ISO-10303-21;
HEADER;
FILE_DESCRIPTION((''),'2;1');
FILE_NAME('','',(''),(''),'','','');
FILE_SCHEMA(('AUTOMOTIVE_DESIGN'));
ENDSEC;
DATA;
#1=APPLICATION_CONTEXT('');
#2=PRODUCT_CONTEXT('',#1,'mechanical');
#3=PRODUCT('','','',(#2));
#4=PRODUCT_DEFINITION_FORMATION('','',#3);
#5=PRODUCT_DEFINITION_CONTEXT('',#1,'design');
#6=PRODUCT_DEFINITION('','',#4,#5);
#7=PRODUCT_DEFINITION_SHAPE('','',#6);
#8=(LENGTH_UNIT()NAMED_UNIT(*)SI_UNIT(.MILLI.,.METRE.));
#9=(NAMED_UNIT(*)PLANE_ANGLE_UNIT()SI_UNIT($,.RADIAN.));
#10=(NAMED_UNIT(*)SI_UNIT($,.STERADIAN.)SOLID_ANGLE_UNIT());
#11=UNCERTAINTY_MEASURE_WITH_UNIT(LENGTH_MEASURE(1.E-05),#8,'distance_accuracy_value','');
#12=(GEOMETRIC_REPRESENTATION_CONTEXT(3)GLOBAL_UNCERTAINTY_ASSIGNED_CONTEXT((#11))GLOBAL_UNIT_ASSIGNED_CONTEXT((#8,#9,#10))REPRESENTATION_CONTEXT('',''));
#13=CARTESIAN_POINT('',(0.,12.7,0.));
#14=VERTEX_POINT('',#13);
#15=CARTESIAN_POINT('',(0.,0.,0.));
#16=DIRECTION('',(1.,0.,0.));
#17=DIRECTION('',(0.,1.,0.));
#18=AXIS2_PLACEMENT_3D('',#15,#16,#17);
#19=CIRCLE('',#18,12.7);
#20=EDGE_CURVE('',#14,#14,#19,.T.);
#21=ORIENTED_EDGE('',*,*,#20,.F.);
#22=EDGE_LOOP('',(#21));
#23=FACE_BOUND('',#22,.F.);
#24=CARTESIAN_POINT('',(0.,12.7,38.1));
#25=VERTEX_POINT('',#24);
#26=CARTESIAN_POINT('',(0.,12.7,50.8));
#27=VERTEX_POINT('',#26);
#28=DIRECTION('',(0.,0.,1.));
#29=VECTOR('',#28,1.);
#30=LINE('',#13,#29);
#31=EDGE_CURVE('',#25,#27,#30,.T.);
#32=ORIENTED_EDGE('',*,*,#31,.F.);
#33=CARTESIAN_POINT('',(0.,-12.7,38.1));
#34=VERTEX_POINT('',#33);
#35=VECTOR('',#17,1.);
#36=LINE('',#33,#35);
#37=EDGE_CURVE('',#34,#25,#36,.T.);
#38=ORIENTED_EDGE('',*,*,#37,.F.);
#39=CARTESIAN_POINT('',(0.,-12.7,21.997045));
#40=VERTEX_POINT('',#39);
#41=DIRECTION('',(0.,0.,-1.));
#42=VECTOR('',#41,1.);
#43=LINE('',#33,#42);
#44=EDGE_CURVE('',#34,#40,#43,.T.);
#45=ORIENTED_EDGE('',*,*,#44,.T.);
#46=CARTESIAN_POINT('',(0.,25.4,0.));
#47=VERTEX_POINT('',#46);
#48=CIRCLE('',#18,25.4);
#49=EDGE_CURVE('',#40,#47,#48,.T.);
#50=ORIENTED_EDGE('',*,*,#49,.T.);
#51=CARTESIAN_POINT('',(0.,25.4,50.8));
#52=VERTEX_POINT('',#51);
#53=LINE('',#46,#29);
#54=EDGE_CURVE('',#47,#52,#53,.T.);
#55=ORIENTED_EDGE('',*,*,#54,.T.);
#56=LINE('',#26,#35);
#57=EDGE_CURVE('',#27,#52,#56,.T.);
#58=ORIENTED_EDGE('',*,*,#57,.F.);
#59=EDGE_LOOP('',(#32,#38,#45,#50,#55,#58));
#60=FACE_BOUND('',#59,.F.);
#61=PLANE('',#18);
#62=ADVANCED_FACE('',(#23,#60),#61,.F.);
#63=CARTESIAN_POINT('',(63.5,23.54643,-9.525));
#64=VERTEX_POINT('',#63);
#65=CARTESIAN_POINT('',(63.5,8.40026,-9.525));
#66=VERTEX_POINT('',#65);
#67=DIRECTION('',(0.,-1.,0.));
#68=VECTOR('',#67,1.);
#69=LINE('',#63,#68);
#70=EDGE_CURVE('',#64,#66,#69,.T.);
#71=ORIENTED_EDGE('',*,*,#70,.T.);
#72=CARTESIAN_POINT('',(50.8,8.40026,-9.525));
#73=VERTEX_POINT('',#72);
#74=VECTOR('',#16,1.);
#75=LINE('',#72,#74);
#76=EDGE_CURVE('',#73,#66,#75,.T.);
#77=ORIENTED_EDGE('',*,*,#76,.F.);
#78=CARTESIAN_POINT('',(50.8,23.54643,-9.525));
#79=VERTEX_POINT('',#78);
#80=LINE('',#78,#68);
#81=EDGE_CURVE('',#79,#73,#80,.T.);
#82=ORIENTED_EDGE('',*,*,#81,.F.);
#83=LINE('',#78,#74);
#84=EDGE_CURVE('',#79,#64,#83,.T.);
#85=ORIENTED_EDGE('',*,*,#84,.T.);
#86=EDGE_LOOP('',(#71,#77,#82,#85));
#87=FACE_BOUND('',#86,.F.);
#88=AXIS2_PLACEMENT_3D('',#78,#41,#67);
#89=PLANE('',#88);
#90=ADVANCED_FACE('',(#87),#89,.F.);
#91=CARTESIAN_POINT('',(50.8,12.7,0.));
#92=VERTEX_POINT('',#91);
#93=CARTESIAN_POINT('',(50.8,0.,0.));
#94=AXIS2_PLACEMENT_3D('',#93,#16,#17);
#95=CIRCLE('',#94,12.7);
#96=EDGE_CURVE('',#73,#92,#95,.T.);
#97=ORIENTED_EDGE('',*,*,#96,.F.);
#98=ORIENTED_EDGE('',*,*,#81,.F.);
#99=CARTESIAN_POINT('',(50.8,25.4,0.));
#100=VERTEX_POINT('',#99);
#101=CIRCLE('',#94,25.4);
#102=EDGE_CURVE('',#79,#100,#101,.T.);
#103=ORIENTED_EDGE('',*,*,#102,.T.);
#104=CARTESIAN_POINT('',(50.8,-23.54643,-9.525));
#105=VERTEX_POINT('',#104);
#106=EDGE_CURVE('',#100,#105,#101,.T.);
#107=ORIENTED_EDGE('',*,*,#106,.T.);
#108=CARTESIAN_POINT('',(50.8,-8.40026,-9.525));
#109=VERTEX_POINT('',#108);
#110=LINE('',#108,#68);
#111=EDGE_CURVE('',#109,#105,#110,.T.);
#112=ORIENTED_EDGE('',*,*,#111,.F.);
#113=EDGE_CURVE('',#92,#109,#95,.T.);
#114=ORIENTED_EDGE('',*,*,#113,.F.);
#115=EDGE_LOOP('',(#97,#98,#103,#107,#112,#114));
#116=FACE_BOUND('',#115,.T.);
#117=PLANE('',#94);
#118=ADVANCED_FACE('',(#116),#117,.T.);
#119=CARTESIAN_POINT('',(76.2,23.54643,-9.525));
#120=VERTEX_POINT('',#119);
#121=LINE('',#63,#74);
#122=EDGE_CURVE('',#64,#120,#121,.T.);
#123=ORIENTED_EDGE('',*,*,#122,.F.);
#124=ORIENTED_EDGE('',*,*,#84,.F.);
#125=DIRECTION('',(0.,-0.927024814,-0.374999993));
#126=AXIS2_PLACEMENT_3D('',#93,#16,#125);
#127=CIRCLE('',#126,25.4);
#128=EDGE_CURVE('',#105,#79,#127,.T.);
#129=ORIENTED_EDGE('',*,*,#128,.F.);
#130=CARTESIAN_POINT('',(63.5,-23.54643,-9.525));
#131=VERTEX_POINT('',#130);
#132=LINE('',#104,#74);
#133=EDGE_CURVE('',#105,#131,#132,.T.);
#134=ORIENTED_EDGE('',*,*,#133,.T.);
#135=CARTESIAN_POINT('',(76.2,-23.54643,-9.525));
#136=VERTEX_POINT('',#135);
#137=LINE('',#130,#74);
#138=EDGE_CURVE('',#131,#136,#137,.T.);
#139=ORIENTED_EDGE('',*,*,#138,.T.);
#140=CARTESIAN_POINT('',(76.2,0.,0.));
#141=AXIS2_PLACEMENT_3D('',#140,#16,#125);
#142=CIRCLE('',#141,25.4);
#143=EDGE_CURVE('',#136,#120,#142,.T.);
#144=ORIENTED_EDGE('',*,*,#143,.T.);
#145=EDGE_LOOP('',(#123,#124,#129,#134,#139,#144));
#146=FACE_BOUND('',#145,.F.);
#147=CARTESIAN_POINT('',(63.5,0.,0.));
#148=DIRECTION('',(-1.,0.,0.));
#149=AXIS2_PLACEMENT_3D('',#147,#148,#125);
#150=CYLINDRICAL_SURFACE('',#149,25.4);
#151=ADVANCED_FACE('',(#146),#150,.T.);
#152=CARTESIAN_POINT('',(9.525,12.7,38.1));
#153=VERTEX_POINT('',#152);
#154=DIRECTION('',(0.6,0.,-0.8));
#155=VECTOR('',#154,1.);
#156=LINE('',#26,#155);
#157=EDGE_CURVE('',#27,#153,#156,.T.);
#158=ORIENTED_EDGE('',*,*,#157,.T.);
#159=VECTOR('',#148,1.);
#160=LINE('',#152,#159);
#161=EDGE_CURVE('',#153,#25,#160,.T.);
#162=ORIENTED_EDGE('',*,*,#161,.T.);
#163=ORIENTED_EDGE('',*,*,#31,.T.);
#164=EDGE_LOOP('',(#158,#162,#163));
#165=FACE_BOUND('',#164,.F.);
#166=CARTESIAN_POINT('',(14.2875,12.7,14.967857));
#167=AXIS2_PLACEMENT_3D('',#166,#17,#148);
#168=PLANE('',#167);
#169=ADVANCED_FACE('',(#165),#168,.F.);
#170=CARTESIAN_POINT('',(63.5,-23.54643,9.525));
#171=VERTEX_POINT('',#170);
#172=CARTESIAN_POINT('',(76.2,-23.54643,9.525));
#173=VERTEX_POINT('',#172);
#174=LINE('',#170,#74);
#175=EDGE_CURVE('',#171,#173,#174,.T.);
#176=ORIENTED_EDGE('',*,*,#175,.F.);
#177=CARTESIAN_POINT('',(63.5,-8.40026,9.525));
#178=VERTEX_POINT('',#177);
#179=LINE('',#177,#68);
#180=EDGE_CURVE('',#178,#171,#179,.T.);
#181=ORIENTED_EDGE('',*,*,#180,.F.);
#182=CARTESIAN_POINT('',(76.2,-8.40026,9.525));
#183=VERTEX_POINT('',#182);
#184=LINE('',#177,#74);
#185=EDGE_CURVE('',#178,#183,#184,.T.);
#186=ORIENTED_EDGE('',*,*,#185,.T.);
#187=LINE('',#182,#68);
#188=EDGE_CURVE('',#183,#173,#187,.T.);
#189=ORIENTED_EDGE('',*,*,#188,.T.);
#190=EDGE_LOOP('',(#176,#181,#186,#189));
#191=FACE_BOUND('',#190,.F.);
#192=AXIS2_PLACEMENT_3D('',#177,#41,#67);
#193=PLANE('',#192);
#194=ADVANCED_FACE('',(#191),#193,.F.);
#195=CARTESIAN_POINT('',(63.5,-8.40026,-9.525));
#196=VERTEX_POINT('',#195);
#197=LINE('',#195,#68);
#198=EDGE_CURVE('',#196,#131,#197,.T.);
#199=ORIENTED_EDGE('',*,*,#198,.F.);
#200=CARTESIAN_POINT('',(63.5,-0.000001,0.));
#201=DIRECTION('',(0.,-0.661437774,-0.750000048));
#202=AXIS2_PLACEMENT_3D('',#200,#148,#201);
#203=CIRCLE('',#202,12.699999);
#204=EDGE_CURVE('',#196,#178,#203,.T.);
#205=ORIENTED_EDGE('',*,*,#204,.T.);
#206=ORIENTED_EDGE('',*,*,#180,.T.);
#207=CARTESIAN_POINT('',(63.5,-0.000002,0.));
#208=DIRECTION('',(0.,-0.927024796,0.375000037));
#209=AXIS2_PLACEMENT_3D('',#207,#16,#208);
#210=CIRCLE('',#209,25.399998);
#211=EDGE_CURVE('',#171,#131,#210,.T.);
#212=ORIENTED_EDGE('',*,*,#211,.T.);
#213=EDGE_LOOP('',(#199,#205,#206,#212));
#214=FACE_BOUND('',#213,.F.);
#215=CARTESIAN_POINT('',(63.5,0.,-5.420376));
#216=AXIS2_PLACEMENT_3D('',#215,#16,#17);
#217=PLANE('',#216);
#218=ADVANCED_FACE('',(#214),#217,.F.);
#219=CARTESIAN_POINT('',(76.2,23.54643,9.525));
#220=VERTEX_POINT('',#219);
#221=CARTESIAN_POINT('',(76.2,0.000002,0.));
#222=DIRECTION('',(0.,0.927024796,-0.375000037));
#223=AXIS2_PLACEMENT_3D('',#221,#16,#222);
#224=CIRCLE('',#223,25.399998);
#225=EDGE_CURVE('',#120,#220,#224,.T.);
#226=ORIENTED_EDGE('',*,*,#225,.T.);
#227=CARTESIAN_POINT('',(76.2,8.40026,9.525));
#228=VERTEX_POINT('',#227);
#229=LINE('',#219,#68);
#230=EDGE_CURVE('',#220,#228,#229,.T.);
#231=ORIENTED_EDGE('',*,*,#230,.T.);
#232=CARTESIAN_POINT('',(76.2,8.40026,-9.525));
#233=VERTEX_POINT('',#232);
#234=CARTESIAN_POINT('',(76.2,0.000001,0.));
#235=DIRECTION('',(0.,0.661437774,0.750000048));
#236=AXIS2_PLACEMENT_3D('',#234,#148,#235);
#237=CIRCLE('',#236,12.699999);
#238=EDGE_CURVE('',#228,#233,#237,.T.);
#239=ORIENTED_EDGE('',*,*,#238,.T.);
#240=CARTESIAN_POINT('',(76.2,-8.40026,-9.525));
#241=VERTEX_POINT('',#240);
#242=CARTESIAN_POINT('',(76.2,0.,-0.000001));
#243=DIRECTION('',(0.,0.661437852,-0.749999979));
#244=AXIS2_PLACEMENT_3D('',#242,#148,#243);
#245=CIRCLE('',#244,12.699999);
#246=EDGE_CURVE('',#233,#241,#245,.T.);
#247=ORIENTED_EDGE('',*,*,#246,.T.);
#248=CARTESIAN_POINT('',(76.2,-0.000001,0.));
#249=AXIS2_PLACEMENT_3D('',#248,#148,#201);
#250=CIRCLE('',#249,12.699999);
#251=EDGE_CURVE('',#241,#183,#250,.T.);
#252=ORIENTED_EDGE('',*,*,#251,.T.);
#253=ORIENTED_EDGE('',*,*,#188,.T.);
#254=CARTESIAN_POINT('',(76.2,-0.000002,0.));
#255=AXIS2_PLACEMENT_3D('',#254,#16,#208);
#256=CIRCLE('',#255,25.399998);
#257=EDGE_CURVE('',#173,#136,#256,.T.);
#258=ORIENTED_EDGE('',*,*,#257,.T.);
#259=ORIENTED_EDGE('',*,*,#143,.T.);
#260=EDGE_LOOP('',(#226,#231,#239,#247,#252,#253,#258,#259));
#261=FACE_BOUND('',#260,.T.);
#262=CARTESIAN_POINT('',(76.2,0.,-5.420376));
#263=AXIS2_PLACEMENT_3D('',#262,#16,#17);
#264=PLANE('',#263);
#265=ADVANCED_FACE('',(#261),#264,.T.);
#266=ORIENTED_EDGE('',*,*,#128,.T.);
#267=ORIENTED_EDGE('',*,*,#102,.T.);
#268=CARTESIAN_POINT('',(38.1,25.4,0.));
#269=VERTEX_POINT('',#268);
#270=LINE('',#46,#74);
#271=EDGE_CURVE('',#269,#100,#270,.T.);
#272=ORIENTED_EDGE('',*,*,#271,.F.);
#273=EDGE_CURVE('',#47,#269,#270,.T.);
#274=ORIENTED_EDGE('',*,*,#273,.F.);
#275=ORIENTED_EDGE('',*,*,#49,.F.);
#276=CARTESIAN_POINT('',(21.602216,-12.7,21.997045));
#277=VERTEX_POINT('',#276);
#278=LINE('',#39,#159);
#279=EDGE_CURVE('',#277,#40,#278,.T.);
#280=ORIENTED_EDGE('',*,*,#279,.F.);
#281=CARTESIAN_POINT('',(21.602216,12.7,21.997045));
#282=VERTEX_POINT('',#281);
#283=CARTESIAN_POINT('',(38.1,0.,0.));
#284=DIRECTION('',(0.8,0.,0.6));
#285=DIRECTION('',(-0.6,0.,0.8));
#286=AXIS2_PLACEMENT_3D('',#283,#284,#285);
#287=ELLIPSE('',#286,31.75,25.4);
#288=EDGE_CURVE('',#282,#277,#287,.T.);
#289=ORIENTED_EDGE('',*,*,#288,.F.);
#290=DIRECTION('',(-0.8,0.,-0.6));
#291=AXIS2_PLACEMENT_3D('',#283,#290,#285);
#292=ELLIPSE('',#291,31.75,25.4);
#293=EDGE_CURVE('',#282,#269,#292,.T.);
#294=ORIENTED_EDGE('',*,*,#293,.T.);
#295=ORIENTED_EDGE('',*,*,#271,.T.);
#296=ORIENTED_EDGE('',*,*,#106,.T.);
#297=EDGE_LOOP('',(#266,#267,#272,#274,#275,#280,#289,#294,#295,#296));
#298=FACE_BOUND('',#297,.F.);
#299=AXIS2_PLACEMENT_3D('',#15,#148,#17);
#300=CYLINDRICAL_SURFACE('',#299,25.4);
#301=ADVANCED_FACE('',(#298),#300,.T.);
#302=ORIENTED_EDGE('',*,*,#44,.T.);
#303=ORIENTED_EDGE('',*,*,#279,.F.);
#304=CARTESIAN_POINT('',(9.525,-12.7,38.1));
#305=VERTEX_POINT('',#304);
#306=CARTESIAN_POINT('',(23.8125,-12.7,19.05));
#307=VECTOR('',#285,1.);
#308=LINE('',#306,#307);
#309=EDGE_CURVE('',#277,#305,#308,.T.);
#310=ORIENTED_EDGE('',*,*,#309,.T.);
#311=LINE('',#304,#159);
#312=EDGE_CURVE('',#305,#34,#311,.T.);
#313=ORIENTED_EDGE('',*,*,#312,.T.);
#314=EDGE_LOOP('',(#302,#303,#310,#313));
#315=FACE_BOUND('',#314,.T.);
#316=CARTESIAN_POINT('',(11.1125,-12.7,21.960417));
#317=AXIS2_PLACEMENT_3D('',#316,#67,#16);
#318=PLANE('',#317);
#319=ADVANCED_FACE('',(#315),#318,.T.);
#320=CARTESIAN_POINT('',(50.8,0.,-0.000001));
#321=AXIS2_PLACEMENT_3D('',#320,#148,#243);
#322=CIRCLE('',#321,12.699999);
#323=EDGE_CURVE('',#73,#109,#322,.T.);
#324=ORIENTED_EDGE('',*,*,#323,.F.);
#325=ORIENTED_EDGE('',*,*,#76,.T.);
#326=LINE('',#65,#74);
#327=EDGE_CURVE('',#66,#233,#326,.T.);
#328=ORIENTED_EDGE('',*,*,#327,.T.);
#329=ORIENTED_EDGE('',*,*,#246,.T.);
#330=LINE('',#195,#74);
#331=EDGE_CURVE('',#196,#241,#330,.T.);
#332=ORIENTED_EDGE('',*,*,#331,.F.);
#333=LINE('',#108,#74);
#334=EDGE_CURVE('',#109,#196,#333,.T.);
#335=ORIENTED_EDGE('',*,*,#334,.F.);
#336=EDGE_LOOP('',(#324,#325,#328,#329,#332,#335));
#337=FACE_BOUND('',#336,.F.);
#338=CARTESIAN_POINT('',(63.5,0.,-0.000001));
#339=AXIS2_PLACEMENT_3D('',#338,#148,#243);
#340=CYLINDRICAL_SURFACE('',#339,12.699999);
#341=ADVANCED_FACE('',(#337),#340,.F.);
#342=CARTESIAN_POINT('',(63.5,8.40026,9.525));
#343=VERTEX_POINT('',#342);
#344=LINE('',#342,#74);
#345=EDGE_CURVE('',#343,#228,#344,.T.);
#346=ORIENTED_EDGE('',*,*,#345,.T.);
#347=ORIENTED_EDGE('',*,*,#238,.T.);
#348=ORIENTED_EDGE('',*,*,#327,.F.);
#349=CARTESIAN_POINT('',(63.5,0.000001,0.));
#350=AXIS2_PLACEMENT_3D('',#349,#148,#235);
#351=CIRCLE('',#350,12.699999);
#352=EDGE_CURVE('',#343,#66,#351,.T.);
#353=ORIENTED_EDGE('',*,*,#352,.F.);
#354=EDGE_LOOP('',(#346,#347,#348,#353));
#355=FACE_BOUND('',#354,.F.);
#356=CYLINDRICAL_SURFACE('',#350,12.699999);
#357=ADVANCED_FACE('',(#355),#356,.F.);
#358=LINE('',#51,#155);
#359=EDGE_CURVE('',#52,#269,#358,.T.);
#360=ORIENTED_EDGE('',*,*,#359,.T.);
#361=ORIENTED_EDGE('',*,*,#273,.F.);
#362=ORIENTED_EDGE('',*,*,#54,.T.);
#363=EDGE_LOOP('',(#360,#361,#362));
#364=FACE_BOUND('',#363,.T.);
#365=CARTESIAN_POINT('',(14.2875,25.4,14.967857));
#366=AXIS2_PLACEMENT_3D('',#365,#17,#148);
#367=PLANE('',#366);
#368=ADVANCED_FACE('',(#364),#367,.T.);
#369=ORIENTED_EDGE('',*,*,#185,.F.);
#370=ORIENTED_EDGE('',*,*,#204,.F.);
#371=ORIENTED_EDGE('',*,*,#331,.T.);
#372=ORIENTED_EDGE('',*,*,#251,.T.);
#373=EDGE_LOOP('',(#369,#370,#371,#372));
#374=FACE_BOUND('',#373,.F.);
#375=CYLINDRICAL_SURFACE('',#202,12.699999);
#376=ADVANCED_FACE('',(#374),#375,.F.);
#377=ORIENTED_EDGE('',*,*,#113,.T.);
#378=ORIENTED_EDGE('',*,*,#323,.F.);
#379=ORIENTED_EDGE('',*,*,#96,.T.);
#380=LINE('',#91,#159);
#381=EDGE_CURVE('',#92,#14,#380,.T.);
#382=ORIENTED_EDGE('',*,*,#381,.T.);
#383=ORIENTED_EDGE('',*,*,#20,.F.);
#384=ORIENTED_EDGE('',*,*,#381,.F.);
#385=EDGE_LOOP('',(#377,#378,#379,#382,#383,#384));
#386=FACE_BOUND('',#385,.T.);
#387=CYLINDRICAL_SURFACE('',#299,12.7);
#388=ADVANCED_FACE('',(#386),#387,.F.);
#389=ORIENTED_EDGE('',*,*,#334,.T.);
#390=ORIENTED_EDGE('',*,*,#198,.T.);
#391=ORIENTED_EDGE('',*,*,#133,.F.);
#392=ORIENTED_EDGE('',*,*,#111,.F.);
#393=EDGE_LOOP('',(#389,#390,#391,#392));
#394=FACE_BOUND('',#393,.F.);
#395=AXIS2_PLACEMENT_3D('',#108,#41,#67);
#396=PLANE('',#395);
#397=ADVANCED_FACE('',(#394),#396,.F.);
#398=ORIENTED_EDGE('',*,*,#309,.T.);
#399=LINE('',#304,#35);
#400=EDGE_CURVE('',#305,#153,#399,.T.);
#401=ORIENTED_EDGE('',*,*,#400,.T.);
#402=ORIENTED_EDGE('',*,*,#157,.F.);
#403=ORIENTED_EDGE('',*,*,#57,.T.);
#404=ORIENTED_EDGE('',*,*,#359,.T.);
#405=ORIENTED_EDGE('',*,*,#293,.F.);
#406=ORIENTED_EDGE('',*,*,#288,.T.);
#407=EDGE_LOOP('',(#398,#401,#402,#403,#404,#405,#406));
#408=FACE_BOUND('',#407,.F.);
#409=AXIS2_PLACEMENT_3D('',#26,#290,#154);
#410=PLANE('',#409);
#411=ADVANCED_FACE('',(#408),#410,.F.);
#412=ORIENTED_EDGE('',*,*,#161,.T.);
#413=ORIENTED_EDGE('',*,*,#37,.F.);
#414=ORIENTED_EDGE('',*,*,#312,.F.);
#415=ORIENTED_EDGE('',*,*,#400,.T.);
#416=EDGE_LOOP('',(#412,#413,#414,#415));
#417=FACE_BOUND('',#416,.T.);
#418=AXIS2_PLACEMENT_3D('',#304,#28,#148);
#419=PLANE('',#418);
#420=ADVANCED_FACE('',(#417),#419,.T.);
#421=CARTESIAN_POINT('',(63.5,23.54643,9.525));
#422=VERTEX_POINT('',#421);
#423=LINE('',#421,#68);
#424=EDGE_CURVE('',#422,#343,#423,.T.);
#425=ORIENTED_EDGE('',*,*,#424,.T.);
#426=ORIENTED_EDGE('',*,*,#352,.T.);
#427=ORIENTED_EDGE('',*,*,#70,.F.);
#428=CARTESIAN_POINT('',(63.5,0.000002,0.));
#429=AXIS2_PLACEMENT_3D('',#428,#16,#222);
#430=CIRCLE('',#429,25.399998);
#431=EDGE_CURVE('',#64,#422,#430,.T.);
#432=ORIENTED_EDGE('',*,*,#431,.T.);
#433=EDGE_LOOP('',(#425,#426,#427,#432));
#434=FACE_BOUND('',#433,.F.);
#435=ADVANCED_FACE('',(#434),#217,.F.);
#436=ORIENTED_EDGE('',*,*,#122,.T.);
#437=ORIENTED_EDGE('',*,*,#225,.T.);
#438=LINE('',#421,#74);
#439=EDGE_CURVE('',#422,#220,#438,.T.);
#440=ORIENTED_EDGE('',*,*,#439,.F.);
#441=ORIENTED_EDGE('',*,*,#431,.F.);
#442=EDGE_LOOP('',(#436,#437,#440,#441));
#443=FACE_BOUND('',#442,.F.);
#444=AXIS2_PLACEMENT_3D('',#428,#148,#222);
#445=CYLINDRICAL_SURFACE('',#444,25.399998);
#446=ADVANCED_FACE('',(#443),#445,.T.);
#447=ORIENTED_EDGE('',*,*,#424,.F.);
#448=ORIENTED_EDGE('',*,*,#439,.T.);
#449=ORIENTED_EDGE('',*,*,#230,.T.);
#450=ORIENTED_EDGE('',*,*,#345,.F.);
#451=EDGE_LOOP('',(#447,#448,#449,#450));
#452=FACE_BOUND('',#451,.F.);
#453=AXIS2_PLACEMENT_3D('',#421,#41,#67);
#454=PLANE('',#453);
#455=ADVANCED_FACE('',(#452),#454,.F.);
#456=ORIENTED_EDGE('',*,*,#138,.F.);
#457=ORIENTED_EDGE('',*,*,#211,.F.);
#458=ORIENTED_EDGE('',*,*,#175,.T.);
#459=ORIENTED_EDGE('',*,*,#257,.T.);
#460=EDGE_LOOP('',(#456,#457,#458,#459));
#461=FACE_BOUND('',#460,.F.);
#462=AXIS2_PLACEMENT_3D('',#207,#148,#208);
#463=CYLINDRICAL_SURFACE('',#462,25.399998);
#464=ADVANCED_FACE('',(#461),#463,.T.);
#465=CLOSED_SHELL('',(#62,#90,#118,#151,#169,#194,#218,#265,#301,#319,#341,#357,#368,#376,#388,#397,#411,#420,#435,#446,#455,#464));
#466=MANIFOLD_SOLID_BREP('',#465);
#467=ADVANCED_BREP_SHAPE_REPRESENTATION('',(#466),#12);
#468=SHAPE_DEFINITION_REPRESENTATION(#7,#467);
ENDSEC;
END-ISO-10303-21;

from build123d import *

# Parameters (mm, degrees)
F0_R      = 25.4
F0_R_2    = 12.7
F1_DEPTH  = 50.8
F3_DEPTH  = 12.7
F5_DEPTH  = 12.7
F8_DEPTH  = 25.4
F10_DEPTH = 12.7


with BuildPart() as f1:
    # F0 (on Right) → F1 (new body)
    with BuildSketch(Plane.YZ):
        Circle(F0_R)
        Circle(F0_R_2, mode=Mode.SUBTRACT)
    extrude(amount=F1_DEPTH)

    # F2 (on face) → F3 (join)
    with BuildSketch(Plane.YZ.offset(50.8)):
        with BuildLine():
            Line((-8.40026, -9.525), (-23.54643, -9.525))
            ThreePointArc((-23.54643, -9.525), (0, -25.4), (23.54643, -9.525))
            Line((23.54643, -9.525), (8.40026, -9.525))
            ThreePointArc((8.40026, -9.525), (0, -12.7), (-8.40026, -9.525))
        make_face()
    extrude(amount=F3_DEPTH)

    # F4 (on face) → F5 (join)
    with BuildSketch(Plane.YZ.offset(63.5)):
        with BuildLine():
            ThreePointArc((-23.54643, -9.525), (0, -25.4), (23.54643, -9.525))
            ThreePointArc((23.54643, -9.525), (25.4, 0), (23.54643, 9.525))
            Line((23.54643, 9.525), (8.40026, 9.525))
            ThreePointArc((8.40026, 9.525), (12.7, 0), (8.40026, -9.525))
            ThreePointArc((8.40026, -9.525), (0, -12.7), (-8.40026, -9.525))
            ThreePointArc((-8.40026, -9.525), (-12.7, 0), (-8.40026, 9.525))
            Line((-8.40026, 9.525), (-23.54643, 9.525))
            ThreePointArc((-23.54643, 9.525), (-25.4, 0), (-23.54643, -9.525))
        make_face()
    extrude(amount=F5_DEPTH)

    # F7 (on offset) → F8 (join)
    with BuildSketch(Plane.XZ.offset(12.7)):
        Polygon((19.05, 25.4), (0, 25.4), (0, 19.05), (23.8125, 19.05), align=None)
        Polygon((0, 38.1), (0, 25.4), (19.05, 25.4), (9.525, 38.1), align=None)
    extrude(amount=-F8_DEPTH)

    # F9 (on face) → F10 (join)
    with BuildSketch(Plane(origin=(0, 12.7, 0), x_dir=(-1, 0, 0), z_dir=(0, 1, 0))):
        Polygon((0, 25.4), (0, 38.1), (-9.525, 38.1), (-38.1, 0), (0, 0), align=None)
        Polygon((-9.525, 38.1), (0, 38.1), (0, 50.8), align=None)
    extrude(amount=F10_DEPTH)


solid = f1.part
